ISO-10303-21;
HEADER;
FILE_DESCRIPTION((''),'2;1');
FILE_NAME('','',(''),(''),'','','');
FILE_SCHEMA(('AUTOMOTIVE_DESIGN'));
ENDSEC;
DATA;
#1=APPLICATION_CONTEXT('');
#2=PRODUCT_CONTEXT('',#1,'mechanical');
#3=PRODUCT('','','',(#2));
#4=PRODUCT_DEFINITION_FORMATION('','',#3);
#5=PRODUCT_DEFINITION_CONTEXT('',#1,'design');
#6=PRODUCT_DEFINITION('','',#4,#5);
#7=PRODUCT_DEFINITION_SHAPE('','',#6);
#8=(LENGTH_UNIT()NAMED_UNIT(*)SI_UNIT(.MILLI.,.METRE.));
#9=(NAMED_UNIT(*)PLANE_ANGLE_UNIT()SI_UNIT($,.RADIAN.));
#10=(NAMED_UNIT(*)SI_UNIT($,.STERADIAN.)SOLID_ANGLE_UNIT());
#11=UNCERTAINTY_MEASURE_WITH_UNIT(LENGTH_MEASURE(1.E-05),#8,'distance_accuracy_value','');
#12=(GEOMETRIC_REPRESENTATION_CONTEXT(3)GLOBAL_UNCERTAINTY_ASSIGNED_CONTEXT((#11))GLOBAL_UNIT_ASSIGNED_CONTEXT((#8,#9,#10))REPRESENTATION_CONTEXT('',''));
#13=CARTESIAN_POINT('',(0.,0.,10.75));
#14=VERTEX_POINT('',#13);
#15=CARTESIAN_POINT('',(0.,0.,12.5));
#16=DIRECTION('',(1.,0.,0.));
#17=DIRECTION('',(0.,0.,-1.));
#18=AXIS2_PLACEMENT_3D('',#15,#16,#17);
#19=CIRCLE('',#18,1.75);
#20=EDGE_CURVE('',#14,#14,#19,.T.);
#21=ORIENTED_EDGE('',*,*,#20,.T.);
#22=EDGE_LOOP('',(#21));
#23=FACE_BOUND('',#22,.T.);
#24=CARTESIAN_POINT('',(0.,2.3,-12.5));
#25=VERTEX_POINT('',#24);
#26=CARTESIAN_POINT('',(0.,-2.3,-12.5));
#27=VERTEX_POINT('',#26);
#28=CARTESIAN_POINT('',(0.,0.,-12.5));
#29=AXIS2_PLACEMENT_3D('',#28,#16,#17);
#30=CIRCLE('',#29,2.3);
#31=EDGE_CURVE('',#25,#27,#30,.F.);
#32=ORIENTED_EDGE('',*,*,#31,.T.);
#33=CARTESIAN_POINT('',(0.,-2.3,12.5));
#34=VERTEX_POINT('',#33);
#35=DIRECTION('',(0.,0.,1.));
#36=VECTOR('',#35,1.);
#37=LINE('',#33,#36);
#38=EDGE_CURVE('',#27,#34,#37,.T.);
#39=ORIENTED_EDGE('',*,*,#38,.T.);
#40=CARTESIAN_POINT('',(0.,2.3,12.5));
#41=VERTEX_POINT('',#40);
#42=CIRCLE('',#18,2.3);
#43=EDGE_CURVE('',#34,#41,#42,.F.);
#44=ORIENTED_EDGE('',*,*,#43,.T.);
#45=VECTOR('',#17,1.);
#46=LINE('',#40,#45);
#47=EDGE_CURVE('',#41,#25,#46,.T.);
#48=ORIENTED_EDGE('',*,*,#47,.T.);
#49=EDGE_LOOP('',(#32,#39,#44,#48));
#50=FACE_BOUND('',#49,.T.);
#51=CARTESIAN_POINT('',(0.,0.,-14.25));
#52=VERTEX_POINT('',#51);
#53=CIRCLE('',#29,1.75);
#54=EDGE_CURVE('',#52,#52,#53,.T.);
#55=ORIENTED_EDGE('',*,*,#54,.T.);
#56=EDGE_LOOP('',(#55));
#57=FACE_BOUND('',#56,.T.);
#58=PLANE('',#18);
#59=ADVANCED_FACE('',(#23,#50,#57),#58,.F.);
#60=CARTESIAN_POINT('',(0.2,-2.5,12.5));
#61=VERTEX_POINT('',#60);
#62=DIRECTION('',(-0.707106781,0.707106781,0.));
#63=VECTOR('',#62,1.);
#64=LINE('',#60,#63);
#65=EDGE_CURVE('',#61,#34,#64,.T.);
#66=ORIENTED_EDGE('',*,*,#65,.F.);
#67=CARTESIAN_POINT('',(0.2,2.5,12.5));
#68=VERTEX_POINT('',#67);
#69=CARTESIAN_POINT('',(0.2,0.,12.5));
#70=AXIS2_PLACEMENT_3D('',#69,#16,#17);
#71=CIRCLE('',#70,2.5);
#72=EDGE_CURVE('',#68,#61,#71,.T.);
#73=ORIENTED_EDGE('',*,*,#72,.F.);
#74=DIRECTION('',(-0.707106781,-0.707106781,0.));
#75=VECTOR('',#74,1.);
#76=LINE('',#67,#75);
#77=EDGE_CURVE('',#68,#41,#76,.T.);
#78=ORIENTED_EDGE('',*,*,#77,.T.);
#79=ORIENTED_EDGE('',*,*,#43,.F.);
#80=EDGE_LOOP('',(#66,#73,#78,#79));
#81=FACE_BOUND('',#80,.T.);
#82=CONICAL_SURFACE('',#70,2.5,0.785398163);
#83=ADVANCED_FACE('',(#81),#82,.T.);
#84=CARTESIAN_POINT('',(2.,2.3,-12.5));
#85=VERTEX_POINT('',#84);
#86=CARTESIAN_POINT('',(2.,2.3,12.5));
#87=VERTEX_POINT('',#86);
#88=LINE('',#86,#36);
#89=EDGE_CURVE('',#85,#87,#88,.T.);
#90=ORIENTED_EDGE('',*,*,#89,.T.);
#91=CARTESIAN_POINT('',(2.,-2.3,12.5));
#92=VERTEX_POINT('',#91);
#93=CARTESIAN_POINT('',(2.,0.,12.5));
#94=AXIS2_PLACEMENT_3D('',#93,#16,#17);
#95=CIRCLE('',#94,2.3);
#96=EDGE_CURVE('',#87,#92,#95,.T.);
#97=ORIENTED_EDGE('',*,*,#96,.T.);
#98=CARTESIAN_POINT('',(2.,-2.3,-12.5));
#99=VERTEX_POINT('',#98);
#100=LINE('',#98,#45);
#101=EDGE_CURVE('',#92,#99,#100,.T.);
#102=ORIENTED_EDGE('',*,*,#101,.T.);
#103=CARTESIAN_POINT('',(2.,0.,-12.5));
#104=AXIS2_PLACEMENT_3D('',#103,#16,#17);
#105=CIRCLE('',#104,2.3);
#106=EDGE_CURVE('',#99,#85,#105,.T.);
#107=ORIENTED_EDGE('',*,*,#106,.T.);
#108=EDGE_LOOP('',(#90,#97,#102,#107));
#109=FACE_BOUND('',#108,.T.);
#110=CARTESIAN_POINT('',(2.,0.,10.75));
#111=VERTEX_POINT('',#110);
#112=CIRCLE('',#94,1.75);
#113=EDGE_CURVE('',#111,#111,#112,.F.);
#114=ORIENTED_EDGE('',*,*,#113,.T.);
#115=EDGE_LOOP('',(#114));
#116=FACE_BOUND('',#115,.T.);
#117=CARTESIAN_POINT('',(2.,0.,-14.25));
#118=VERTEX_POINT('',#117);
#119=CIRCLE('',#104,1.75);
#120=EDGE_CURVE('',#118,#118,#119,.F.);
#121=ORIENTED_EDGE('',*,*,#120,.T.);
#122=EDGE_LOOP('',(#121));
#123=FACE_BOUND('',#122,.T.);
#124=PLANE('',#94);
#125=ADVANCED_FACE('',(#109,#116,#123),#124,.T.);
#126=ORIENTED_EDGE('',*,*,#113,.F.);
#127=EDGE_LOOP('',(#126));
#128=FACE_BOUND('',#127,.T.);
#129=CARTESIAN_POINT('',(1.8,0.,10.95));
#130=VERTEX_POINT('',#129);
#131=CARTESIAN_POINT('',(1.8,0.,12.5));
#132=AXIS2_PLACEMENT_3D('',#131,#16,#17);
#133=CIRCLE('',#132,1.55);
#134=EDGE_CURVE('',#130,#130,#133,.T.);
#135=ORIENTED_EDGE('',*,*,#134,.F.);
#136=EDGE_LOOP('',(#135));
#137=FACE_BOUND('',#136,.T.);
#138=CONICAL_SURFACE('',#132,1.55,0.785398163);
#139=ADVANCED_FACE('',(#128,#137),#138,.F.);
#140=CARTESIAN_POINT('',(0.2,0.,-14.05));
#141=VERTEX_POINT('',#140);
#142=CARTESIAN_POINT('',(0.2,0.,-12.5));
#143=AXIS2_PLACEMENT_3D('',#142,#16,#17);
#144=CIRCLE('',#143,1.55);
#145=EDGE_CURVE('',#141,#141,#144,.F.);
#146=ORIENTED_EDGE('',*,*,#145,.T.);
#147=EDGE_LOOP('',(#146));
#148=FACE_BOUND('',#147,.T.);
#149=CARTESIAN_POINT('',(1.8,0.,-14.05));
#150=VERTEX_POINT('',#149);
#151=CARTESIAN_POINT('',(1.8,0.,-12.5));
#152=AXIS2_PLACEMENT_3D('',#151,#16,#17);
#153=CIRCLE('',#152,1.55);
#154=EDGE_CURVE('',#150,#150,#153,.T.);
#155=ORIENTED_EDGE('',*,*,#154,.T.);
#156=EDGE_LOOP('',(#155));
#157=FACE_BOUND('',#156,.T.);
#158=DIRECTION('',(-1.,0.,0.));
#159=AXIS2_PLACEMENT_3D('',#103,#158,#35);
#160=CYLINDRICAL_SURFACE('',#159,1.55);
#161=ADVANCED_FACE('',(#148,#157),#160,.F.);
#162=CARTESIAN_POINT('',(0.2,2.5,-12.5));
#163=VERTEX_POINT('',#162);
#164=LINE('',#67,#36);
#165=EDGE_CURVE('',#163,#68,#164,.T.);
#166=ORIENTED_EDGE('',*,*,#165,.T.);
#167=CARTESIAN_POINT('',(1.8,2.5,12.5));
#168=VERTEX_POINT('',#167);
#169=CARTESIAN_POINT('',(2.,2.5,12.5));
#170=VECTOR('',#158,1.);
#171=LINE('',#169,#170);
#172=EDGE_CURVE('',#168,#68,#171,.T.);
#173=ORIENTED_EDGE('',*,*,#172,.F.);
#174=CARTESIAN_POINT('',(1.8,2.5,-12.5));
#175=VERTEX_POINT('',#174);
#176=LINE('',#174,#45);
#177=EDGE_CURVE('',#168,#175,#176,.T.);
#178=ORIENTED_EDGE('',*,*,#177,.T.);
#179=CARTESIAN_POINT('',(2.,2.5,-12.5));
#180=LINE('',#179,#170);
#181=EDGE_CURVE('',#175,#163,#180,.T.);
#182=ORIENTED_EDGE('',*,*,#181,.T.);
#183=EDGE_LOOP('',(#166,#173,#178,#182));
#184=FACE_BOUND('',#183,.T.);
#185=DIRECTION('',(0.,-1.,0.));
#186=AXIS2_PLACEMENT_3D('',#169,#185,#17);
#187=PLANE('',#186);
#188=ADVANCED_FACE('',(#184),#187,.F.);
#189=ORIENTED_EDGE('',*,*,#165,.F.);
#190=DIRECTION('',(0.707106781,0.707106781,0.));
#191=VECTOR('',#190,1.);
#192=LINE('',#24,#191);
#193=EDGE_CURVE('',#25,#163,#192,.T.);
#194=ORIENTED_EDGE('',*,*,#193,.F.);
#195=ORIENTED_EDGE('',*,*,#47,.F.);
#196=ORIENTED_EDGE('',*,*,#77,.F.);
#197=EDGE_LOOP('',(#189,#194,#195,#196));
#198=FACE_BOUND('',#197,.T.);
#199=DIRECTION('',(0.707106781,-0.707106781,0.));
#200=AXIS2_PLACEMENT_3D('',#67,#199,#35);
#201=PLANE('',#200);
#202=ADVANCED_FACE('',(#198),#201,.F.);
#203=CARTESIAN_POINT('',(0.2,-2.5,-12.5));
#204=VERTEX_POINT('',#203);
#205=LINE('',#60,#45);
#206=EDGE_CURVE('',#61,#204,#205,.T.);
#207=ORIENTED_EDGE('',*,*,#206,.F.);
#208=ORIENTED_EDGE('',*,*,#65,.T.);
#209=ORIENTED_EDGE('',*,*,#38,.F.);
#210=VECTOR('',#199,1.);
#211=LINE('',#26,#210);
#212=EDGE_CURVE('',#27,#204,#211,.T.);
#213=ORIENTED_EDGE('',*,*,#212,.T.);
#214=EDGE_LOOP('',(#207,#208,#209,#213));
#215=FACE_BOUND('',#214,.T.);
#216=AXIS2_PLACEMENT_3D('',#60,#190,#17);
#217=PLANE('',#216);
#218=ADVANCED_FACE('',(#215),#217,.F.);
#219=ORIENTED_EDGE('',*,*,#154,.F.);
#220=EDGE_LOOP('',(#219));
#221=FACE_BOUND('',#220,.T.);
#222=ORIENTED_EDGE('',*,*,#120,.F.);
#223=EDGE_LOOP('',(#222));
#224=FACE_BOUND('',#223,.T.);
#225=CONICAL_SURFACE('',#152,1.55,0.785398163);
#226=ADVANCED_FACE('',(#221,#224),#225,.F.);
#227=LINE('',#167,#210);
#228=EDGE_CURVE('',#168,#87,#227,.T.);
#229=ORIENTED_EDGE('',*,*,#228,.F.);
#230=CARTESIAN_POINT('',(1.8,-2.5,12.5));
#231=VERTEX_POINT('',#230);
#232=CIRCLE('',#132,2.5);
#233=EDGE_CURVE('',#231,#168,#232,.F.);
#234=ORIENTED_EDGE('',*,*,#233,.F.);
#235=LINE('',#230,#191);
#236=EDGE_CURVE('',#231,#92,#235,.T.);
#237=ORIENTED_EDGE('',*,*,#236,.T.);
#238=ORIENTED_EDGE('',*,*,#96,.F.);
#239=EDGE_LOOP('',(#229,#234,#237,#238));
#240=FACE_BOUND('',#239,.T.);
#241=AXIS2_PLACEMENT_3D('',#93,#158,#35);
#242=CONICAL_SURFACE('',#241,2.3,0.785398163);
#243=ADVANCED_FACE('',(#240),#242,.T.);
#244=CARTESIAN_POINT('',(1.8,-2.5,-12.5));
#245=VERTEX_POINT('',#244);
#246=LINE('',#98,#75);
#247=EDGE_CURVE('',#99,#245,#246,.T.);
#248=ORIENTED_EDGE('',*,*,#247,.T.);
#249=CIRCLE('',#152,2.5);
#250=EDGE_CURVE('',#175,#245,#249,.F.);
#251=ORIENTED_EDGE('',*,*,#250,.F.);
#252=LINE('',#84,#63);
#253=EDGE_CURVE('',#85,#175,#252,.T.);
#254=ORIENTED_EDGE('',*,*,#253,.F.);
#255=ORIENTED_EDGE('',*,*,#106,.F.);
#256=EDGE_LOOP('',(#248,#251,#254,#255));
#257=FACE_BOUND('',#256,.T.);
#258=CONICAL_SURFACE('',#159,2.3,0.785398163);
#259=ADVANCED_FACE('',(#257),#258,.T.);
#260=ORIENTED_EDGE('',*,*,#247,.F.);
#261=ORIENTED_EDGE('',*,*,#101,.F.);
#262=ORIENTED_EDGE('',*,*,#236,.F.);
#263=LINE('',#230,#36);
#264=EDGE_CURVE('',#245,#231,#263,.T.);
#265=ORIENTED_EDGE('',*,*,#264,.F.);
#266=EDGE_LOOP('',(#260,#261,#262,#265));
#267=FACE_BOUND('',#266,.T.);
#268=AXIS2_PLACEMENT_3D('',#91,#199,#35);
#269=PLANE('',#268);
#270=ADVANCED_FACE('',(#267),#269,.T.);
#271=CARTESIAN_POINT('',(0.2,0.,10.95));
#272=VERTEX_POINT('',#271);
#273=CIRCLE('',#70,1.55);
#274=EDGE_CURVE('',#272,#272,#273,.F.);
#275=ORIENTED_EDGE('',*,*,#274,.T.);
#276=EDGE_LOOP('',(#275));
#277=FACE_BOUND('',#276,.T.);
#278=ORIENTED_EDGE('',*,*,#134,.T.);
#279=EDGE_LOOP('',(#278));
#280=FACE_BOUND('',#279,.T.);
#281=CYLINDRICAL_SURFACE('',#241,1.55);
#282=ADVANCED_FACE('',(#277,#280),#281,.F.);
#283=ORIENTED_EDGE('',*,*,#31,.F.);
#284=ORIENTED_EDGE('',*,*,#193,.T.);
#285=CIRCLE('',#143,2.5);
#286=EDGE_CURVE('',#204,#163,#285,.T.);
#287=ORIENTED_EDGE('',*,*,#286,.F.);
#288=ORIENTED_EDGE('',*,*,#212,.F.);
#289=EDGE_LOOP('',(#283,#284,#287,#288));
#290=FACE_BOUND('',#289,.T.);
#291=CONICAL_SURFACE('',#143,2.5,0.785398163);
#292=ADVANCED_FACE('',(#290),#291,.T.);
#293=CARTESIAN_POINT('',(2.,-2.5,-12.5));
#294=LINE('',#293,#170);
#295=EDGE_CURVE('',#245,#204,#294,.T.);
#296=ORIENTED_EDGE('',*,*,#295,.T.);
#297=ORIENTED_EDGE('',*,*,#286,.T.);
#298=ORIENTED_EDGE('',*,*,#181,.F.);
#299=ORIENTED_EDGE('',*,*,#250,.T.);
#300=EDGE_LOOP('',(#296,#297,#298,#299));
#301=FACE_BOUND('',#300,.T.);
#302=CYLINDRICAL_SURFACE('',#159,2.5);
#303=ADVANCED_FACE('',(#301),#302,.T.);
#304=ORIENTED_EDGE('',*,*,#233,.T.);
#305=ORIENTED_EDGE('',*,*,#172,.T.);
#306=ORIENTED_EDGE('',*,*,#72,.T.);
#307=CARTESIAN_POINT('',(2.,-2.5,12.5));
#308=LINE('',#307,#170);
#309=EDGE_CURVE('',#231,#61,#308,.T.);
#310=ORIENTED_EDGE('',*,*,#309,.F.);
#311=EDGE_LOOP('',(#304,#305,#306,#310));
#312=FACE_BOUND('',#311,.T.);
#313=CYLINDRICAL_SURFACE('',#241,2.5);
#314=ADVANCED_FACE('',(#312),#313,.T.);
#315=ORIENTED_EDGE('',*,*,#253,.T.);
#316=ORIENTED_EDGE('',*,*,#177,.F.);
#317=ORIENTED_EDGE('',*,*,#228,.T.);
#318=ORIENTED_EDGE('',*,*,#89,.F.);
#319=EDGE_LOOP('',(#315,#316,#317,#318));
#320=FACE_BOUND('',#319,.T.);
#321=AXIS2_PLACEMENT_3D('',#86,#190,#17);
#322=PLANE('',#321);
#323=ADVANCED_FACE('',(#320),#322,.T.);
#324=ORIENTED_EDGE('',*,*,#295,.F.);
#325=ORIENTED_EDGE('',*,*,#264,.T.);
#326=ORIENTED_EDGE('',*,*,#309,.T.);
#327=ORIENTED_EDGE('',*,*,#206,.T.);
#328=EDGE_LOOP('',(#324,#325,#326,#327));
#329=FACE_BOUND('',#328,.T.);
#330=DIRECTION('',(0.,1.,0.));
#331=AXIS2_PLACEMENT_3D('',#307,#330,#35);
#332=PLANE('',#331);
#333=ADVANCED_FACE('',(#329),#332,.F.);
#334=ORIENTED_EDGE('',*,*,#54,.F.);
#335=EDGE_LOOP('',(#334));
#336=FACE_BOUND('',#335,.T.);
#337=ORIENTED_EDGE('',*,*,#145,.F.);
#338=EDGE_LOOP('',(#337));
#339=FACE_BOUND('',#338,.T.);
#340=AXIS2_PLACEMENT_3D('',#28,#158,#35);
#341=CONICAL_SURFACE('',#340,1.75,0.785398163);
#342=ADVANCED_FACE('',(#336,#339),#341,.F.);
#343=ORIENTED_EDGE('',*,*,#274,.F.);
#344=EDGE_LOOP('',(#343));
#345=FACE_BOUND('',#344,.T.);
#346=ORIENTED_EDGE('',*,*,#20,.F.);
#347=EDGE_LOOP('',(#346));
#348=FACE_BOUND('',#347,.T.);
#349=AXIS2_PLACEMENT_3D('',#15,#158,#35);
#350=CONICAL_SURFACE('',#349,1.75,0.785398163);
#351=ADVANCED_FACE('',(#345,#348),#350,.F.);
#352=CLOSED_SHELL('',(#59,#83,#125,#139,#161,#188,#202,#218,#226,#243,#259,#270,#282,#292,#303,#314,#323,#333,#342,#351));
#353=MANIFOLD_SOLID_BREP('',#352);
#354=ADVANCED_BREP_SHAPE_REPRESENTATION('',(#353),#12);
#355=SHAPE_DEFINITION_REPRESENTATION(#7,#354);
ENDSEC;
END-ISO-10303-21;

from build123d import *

# Parameters (mm, degrees)
SKETCH1_R           = 1.55
BOSS_EXTRUDE1_DEPTH = 2
CHAMFER1_SIZE       = 0.2


with BuildPart() as part:
    # Sketch1 → Boss-Extrude1 (new body)
    with BuildSketch(Plane(origin=(0, 0, 0), x_dir=(0, 0, -1), z_dir=(1, 0, 0))):
        with BuildLine():
            Line((-12.5, 2.5), (12.5, 2.5))
            ThreePointArc((12.5, 2.5), (15, 0), (12.5, -2.5))
            Line((12.5, -2.5), (-12.5, -2.5))
            ThreePointArc((-12.5, -2.5), (-15, 0), (-12.5, 2.5))
        make_face()
        with Locations((-12.5, 0)):
            Circle(SKETCH1_R, mode=Mode.SUBTRACT)
        with Locations((12.5, 0)):
            Circle(SKETCH1_R, mode=Mode.SUBTRACT)
    extrude(amount=BOSS_EXTRUDE1_DEPTH)

    # Chamfer1
    chamfer1_edges = [part.edges().sort_by_distance(p)[0] for p in [
        (0, 0, 14.05),
        (2, 0, 14.05),
        (2, 0, -15),
        (0, 0, -10.95),
        (2, 0, -10.95),
        (2, 2.5, 0),
        (2, 0, 15),
        (0, 2.5, 0),
        (0, 0, -15),
        (0, -2.5, 0),
        (0, 0, 15),
        (2, -2.5, 0),
    ]]
    chamfer(chamfer1_edges, length=CHAMFER1_SIZE)


solid = part.part
